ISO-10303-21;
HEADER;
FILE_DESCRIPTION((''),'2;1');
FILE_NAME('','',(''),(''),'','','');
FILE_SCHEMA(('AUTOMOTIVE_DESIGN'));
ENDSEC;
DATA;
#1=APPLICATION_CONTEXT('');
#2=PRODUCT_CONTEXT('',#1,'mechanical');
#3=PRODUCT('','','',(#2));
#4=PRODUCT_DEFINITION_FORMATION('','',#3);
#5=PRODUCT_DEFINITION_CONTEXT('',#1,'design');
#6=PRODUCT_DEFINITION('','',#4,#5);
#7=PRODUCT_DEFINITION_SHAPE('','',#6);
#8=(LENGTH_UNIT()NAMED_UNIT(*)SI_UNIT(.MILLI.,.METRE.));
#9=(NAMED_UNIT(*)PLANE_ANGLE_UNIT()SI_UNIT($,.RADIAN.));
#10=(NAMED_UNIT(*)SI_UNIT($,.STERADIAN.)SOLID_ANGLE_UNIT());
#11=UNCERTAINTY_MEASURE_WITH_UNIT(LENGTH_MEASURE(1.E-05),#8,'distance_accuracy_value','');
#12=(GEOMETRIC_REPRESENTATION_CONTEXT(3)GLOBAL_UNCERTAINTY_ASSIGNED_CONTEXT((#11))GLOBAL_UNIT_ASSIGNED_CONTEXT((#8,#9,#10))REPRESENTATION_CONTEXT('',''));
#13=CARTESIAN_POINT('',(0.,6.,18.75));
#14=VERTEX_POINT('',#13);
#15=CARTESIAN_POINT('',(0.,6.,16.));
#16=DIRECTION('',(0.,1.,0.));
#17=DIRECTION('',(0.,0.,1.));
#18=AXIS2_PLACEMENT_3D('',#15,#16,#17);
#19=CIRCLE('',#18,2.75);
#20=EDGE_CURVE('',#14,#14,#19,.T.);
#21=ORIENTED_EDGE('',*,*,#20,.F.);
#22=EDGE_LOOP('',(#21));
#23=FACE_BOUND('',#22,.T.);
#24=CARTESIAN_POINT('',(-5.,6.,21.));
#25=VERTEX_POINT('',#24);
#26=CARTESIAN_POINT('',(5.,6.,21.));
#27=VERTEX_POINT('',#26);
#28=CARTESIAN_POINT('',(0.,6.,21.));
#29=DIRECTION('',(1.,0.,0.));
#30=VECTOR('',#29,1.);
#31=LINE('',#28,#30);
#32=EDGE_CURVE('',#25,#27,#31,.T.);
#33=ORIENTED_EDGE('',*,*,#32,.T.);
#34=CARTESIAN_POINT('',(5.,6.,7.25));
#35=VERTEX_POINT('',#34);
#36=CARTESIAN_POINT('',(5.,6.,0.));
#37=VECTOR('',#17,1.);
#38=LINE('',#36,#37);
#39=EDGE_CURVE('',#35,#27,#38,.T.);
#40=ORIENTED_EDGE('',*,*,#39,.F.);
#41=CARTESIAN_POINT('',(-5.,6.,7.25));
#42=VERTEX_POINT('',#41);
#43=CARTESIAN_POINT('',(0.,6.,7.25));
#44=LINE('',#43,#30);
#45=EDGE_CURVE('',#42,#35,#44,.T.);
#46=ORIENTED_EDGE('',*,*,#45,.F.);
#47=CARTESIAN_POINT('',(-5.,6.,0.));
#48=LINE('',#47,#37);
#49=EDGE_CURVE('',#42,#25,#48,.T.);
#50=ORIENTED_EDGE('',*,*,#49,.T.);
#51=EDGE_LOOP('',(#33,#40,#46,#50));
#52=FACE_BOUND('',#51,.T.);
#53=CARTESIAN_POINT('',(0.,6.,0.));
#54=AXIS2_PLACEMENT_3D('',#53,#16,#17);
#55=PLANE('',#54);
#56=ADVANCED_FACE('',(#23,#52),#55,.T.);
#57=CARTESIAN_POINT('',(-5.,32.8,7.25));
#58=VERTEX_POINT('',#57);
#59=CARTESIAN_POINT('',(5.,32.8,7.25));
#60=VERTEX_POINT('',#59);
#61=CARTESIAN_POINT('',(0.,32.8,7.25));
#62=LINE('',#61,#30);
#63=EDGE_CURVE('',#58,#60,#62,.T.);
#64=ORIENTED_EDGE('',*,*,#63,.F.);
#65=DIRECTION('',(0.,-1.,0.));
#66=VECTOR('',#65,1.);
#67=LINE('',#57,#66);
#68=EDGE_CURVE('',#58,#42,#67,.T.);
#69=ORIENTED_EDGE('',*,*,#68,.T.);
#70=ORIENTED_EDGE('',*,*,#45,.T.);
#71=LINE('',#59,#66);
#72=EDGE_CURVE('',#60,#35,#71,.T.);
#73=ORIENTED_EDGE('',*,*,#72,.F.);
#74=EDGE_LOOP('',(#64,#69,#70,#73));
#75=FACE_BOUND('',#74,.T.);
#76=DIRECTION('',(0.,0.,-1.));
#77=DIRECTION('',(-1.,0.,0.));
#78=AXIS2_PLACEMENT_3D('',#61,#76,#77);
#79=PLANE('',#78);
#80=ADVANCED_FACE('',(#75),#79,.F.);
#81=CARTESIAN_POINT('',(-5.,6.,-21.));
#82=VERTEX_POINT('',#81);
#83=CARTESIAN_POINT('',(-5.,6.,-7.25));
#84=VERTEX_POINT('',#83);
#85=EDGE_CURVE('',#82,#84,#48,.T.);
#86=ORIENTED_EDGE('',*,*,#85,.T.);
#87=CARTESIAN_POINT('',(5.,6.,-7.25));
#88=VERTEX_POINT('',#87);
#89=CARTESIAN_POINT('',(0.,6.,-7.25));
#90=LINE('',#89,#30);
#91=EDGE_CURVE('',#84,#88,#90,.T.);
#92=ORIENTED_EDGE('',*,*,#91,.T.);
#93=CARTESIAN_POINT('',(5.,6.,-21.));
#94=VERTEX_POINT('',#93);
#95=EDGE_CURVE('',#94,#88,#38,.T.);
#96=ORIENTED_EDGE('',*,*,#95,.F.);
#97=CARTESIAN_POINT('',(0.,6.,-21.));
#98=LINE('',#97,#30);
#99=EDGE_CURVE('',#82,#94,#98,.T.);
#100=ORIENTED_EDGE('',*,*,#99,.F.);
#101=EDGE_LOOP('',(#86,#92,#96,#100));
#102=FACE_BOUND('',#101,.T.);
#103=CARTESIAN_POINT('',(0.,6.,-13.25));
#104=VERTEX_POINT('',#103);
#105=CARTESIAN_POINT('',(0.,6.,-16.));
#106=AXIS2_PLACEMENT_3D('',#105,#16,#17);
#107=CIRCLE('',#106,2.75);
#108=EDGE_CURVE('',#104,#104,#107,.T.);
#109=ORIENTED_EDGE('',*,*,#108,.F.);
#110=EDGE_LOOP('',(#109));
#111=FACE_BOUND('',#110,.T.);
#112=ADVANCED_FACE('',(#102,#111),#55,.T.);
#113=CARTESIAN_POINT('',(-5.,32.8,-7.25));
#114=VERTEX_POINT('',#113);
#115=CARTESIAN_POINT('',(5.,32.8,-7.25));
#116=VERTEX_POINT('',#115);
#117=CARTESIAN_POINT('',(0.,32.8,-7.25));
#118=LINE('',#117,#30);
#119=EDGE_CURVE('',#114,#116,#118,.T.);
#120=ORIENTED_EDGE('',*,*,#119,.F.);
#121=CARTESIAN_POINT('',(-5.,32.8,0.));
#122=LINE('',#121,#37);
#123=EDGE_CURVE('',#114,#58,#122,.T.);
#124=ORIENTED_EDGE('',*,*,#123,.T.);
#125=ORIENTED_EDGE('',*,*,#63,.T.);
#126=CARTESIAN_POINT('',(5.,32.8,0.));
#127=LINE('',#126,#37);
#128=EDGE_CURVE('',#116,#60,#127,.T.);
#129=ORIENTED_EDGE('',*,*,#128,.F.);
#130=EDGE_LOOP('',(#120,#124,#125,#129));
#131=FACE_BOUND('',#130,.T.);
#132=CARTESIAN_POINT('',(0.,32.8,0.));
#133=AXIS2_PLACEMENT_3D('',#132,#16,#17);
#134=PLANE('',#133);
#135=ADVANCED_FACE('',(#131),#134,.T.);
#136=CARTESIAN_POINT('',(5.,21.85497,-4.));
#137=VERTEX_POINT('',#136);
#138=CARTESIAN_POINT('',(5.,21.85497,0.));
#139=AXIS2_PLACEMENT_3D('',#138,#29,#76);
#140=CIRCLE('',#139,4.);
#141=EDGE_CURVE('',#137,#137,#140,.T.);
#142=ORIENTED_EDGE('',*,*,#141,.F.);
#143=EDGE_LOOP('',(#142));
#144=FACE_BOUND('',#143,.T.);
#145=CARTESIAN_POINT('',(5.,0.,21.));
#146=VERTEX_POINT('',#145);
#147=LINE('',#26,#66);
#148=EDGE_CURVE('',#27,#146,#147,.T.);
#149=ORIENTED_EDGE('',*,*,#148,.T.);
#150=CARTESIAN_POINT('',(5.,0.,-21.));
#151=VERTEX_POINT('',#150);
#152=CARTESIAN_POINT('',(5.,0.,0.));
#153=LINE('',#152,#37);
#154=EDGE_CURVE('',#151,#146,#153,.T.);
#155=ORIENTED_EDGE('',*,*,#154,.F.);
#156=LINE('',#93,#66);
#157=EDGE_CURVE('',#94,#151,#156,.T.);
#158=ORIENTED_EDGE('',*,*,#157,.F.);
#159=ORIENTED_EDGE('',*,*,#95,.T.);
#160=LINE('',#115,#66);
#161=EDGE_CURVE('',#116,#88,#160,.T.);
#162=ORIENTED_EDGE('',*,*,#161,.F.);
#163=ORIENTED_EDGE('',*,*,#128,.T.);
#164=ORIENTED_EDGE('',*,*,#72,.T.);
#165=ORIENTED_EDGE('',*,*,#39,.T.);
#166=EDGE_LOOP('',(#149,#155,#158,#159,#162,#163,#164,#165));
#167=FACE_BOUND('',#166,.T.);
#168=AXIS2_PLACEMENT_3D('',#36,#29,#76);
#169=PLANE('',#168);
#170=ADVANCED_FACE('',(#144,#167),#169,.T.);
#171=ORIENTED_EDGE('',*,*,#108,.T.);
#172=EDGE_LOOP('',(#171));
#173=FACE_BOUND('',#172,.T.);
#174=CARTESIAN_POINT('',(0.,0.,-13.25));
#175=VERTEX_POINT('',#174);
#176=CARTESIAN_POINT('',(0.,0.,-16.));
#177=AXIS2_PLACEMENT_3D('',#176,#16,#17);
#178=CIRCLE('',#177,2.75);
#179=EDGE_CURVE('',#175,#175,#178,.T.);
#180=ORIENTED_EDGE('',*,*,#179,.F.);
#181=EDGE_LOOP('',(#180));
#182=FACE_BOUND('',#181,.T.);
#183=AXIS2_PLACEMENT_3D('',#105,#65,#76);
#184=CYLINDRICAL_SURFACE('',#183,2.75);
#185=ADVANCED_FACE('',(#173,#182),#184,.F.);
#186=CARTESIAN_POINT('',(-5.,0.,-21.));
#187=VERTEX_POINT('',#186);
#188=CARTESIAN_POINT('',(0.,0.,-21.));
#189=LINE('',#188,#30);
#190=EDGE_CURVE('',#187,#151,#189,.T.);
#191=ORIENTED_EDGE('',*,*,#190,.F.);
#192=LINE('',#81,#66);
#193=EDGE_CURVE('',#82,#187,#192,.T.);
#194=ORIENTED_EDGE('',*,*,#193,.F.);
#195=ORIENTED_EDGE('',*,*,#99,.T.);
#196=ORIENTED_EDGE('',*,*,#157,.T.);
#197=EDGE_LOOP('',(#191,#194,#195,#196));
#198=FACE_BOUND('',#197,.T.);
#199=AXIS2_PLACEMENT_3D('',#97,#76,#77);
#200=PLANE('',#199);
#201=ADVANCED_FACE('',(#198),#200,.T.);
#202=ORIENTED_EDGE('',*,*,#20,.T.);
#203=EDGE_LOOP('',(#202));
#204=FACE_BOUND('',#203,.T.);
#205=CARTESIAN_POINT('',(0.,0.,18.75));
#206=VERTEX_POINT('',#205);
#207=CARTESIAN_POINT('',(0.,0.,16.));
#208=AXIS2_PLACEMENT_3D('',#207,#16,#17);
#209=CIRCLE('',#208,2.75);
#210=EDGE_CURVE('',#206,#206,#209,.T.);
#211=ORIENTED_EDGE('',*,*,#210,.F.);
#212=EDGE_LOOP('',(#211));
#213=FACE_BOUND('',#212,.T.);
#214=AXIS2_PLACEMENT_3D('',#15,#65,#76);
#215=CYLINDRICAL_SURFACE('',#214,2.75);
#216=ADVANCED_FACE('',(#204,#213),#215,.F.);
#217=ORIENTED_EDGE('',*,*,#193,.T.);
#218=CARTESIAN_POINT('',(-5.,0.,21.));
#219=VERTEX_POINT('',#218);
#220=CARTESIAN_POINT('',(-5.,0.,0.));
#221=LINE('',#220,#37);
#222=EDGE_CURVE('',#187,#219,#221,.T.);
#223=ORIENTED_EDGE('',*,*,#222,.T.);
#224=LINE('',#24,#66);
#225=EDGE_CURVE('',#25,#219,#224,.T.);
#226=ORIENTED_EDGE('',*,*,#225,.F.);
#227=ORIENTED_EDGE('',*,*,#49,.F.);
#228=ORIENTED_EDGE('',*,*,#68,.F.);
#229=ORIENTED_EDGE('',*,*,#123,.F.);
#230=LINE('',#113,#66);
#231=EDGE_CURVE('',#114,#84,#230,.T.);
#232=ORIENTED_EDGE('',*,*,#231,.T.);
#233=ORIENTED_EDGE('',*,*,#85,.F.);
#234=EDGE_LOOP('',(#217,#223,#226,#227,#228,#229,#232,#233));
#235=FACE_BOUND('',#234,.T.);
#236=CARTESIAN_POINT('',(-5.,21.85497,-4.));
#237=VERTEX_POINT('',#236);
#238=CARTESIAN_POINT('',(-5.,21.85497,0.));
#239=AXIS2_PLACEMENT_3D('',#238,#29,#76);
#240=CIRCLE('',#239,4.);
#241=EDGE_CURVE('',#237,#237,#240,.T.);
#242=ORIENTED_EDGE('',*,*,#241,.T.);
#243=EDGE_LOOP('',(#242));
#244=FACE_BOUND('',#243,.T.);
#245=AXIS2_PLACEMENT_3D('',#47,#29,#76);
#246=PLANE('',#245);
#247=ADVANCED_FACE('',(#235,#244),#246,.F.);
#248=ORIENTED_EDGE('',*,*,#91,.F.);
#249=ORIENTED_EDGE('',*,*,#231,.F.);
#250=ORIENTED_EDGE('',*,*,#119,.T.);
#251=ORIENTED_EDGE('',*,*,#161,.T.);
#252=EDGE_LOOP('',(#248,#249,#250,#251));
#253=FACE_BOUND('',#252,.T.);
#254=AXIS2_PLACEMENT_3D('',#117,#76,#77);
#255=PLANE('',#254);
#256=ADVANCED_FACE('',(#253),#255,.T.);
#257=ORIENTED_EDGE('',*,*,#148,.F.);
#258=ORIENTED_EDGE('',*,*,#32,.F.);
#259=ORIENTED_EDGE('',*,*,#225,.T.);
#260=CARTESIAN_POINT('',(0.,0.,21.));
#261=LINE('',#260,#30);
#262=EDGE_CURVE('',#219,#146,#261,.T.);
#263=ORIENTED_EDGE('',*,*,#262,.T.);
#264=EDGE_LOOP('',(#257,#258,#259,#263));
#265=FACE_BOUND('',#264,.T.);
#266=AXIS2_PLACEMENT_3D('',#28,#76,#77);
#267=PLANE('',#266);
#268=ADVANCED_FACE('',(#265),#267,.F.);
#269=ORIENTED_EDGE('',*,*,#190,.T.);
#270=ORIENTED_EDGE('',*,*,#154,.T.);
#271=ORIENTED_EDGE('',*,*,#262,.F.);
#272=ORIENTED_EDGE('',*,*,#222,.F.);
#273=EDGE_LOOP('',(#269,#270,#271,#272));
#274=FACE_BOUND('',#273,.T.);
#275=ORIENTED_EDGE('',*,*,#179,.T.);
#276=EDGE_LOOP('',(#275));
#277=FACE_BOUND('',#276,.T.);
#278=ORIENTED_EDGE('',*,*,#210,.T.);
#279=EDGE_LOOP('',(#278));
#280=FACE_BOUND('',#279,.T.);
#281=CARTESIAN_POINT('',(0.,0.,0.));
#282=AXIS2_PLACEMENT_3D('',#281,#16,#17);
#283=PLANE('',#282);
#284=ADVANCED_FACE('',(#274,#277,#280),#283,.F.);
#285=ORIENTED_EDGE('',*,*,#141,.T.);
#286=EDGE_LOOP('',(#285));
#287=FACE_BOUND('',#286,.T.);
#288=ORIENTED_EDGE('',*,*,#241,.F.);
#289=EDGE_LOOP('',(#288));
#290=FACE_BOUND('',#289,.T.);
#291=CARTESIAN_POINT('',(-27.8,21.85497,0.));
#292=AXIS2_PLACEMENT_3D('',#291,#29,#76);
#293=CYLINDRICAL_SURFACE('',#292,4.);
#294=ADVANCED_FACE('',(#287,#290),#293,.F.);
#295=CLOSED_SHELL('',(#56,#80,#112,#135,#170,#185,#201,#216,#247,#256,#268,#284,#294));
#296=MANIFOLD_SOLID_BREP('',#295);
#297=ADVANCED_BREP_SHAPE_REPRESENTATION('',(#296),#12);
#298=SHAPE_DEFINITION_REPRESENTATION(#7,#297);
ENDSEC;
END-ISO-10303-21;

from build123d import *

# Parameters (mm, degrees)
SKETCH1_W             = 10
SKETCH1_H             = 13.75
SKETCH1_R             = 2.75
BOSS_EXTRUDE1_DEPTH   = 6
BOSS_EXTRUDE1_2_DEPTH = 6
SKETCH1_3_W           = 10
SKETCH1_3_H           = 14.5
BOSS_EXTRUDE2_DEPTH   = 32.8
SKETCH2_R             = 4
CUT_EXTRUDE1_DEPTH    = 32.8


with BuildPart() as part:
    # Sketch1 → Boss-Extrude1 (new body)
    with BuildSketch(Plane(origin=(0, 0, 0), x_dir=(1, 0, 0), z_dir=(0, 1, 0))):
        with Locations((0, 14.125)):
            Rectangle(SKETCH1_W, SKETCH1_H)
        with Locations((0, 16)):
            Circle(SKETCH1_R, mode=Mode.SUBTRACT)
    extrude(amount=BOSS_EXTRUDE1_DEPTH)



with BuildPart() as body_2:
    # Sketch1 → Boss-Extrude1 2 (new body)
    with BuildSketch(Plane(origin=(0, 0, 0), x_dir=(1, 0, 0), z_dir=(0, 1, 0))):
        with Locations((0, -14.125)):
            Rectangle(SKETCH1_W, SKETCH1_H)
        with Locations((0, -16)):
            Circle(SKETCH1_R, mode=Mode.SUBTRACT)
    extrude(amount=BOSS_EXTRUDE1_2_DEPTH)


with BuildPart() as part_1:
    add(part.part)

    add(body_2.part)  # Boss-Extrude2 merges body 2
    # Sketch1<3> → Boss-Extrude2 (add)
    with BuildSketch(Plane(origin=(0, 0, 0), x_dir=(1, 0, 0), z_dir=(0, 1, 0))):
        Rectangle(SKETCH1_3_W, SKETCH1_3_H)
    extrude(amount=BOSS_EXTRUDE2_DEPTH)

    # Sketch2 → Cut-Extrude1 (cut)
    with BuildSketch(Plane(origin=(5, 0, 0), x_dir=(0, 0, -1), z_dir=(1, 0, 0))):
        with Locations((0, 21.854969952)):
            Circle(SKETCH2_R)
    extrude(amount=-CUT_EXTRUDE1_DEPTH, mode=Mode.SUBTRACT)


solid = part_1.part
